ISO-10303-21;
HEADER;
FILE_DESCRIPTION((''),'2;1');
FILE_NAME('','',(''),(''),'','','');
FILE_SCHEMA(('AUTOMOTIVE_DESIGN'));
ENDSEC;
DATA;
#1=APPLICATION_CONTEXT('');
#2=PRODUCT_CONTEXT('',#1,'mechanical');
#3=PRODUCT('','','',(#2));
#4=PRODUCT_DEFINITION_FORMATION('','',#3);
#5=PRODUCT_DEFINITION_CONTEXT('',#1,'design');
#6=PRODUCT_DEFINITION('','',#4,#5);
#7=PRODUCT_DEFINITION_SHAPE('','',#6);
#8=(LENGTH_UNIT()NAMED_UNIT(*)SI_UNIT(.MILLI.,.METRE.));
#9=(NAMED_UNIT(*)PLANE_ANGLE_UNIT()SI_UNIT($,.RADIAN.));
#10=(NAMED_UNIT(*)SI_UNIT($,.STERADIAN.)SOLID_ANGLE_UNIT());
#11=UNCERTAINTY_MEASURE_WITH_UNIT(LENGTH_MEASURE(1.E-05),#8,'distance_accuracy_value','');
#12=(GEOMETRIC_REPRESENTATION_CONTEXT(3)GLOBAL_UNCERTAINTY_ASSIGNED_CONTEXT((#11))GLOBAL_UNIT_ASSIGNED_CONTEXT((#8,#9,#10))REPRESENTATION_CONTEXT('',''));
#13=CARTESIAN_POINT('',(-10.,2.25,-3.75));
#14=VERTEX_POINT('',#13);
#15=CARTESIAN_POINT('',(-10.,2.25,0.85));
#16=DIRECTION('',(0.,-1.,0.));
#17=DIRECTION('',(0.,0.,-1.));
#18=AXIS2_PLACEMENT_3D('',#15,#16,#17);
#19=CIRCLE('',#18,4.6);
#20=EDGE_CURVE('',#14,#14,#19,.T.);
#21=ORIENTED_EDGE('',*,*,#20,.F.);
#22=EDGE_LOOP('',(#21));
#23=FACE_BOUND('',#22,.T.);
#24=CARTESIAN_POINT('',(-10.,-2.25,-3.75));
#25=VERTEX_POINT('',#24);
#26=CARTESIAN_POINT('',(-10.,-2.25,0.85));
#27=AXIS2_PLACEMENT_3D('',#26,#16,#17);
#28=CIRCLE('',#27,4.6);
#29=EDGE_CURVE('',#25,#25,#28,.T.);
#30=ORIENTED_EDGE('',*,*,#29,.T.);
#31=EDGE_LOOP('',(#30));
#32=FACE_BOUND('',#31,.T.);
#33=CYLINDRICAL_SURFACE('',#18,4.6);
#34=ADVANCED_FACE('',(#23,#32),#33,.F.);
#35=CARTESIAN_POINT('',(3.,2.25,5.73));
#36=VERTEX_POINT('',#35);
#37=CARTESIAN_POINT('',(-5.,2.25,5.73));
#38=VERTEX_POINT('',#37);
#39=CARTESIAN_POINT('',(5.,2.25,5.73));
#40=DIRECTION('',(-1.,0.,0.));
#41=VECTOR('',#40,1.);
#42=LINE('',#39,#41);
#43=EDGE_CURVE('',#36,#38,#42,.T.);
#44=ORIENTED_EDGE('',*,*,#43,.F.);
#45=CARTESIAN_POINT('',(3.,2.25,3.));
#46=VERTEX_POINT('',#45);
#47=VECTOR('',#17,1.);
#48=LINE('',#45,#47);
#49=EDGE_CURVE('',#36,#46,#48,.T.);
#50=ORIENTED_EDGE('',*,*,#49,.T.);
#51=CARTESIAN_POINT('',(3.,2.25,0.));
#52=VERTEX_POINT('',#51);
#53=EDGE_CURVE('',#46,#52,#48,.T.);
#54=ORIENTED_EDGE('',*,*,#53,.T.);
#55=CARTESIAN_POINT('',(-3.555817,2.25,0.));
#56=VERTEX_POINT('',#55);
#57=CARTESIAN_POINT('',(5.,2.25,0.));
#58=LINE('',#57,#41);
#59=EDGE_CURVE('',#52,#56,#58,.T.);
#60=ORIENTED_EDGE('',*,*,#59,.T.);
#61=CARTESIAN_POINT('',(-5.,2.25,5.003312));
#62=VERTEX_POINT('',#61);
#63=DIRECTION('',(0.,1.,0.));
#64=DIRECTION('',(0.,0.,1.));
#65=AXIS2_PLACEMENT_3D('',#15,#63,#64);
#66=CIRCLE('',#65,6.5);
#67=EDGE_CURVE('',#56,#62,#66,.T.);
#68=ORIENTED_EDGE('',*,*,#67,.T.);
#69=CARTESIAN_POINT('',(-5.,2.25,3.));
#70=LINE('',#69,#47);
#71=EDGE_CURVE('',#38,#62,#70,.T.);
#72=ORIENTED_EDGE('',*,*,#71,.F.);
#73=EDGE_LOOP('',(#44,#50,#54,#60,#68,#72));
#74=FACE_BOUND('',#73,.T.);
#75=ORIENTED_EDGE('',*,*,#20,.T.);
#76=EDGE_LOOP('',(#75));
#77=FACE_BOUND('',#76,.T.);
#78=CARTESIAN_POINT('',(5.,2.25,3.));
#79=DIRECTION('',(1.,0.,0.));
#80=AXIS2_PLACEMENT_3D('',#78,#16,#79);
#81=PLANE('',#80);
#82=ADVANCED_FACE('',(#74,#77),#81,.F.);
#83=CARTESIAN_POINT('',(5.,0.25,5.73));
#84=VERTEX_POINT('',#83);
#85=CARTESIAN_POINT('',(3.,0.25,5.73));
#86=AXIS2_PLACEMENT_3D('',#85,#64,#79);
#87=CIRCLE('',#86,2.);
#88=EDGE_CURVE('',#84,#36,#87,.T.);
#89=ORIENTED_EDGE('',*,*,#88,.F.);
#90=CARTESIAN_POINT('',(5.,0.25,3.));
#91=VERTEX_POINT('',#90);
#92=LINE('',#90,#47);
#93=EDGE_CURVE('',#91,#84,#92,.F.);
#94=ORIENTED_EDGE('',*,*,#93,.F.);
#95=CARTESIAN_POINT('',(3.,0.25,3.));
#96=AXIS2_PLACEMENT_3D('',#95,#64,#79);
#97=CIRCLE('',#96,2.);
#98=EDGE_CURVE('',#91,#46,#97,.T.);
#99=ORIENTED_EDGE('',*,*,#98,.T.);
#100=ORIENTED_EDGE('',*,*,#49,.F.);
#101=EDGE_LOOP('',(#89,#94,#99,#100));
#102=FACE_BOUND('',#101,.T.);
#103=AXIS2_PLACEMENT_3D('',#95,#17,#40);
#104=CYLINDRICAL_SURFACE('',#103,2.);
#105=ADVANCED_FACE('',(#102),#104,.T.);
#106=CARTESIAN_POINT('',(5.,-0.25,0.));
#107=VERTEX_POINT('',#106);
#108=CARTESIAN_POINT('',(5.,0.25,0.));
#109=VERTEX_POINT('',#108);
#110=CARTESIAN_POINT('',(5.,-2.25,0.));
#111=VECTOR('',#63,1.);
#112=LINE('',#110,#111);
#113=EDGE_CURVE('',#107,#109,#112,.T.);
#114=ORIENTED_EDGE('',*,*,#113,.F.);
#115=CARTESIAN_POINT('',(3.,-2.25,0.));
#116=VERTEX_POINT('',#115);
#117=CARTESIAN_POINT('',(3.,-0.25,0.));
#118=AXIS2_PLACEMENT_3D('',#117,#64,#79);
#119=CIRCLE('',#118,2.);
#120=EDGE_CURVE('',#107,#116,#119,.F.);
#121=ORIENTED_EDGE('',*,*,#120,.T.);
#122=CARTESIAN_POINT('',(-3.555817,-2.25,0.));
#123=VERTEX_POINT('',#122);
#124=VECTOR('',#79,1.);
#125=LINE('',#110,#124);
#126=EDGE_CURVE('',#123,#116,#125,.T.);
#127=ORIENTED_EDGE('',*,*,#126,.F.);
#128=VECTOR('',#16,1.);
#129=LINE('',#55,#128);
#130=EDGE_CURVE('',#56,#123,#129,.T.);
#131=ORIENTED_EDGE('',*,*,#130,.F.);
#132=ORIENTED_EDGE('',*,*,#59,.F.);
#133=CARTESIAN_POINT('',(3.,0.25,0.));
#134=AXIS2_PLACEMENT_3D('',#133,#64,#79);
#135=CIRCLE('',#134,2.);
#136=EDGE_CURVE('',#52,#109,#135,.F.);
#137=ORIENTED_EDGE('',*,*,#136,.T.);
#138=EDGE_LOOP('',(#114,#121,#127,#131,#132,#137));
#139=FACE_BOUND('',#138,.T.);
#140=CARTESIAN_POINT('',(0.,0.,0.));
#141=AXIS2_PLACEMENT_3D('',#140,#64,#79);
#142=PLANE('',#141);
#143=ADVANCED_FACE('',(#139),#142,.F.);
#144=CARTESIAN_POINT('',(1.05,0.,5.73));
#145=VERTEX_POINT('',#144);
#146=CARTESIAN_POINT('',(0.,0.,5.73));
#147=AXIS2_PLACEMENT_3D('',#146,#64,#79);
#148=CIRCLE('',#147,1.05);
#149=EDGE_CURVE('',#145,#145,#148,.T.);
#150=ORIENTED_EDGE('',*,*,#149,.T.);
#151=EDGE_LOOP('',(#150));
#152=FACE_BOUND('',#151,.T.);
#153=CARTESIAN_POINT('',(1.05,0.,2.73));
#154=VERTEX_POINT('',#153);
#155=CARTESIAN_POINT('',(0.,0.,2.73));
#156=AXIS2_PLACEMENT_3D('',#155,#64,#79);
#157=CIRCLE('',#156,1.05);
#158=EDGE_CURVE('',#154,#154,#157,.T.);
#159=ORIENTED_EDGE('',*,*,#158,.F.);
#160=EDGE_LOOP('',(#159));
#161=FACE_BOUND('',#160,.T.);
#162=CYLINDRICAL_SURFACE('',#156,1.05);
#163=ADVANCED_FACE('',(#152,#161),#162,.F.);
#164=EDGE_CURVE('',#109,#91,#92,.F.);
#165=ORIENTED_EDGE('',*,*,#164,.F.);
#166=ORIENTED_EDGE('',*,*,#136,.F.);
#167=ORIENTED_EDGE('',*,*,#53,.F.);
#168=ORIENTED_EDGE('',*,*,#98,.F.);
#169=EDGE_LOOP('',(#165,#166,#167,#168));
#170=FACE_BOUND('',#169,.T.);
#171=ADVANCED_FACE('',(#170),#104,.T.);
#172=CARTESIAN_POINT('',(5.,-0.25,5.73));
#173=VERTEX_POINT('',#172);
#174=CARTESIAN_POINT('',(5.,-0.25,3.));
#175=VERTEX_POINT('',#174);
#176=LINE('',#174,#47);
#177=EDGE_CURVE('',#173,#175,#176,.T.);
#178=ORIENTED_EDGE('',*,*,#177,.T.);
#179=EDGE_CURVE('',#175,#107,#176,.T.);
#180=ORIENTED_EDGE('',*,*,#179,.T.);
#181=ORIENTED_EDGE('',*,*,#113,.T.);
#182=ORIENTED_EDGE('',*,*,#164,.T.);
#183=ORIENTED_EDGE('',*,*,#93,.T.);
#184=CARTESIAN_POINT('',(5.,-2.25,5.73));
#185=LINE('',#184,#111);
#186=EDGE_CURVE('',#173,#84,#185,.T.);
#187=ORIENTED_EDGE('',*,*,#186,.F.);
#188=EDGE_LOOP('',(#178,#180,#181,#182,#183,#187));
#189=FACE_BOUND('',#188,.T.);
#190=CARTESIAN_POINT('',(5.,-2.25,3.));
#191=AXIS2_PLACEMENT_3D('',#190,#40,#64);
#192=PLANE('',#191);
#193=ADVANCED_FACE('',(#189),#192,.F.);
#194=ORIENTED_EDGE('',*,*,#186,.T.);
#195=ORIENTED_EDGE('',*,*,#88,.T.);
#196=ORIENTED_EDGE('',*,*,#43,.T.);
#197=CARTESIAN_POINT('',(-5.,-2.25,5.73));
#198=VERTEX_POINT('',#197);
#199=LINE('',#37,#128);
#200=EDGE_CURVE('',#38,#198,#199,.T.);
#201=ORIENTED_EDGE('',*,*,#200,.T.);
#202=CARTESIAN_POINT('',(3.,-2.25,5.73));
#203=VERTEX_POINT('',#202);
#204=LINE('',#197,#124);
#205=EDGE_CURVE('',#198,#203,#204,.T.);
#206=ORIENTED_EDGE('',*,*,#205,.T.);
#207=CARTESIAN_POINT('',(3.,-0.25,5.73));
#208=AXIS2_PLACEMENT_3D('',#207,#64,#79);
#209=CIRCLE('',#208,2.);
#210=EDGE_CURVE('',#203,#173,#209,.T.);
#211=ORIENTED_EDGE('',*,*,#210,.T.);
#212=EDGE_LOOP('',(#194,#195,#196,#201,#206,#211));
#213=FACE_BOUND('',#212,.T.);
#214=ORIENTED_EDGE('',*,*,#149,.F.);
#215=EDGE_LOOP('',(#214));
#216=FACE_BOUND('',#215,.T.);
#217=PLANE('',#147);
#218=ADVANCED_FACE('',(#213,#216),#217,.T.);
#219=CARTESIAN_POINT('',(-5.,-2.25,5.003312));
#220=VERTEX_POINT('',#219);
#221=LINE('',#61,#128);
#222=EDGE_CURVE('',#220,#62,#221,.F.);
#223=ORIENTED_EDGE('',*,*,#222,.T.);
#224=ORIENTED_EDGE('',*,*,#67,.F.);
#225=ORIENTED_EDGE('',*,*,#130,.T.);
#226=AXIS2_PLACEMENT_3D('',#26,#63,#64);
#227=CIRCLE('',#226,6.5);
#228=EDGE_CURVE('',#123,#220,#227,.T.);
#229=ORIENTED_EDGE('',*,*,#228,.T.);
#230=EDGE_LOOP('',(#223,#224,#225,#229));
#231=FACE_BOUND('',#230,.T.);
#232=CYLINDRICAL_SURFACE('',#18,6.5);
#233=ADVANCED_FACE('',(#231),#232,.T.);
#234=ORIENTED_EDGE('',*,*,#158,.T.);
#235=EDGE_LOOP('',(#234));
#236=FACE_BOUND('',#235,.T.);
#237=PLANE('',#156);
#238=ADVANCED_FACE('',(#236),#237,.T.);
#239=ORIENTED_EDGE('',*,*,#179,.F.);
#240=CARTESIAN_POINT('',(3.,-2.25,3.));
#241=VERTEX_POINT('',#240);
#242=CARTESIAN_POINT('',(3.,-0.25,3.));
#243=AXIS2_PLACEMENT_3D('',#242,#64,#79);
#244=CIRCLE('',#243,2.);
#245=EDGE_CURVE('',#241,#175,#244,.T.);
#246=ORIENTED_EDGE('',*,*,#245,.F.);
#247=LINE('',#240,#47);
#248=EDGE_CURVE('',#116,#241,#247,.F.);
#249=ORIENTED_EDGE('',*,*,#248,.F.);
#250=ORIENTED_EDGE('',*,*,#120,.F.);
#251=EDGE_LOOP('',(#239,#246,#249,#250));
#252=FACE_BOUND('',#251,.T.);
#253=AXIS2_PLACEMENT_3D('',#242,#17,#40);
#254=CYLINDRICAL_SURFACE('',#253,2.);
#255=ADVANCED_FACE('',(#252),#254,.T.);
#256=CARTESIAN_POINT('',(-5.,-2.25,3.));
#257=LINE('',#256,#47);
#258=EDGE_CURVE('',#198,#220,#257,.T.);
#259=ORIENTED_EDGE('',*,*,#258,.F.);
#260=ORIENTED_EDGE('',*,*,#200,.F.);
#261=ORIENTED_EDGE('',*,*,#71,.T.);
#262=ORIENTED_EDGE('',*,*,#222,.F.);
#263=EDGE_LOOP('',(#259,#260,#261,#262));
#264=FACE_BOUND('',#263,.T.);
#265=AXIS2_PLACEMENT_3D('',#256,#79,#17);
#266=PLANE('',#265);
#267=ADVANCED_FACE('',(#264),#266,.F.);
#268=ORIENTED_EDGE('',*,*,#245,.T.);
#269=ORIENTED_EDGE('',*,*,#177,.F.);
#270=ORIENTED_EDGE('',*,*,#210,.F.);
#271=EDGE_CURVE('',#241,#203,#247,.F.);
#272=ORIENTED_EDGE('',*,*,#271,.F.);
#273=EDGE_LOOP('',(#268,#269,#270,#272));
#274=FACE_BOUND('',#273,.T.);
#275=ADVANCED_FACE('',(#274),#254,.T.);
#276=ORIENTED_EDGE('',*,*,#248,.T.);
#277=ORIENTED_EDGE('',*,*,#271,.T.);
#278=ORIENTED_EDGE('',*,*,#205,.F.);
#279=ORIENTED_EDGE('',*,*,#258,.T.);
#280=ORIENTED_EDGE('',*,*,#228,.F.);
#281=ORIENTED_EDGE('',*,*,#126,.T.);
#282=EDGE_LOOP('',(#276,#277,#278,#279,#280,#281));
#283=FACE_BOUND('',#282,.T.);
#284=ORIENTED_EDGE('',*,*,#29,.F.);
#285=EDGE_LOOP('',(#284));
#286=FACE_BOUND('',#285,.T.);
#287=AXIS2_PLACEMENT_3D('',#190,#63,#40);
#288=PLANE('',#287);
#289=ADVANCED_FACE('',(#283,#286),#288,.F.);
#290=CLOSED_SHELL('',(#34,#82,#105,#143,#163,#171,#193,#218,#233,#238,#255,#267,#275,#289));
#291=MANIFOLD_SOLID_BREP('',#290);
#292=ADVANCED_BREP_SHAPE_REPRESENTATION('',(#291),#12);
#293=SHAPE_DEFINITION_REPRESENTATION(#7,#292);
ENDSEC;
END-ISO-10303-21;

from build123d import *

# Parameters (mm, degrees)
SKETCH1_W           = 10
SKETCH1_H           = 4.5
BOSS_EXTRUDE1_DEPTH = 3
FILLET1_R           = 2
SKETCH3_R           = 6.5
BOSS_EXTRUDE2_DEPTH = 2.25
SKETCH4_R           = 4.6
CUT_EXTRUDE1_DEPTH  = 5.5
SKETCH8_W           = 10
SKETCH8_H           = 4.5
BOSS_EXTRUDE5_DEPTH = 2.73
SKETCH9_R           = 1.05
CUT_EXTRUDE2_DEPTH  = 3
FILLET3_R           = 2


with BuildPart() as part:
    # Sketch1 → Boss-Extrude1 (new body)
    with BuildSketch(Plane.XY):
        Rectangle(SKETCH1_W, SKETCH1_H)
    extrude(amount=BOSS_EXTRUDE1_DEPTH)

    # Fillet1
    fillet1_edges = [part.edges().sort_by_distance(p)[0] for p in [
        (5, 2.25, 1.5),
        (5, -2.25, 1.5),
    ]]
    fillet(fillet1_edges, radius=FILLET1_R)



with BuildPart() as body_2:
    # Sketch3 → Boss-Extrude2 (new body, symmetric)
    with BuildSketch(Plane(origin=(0, 0, 0), x_dir=(1, 0, 0), z_dir=(0, 1, 0))):
        with Locations((-10, -0.85)):
            Circle(SKETCH3_R)
    extrude(amount=BOSS_EXTRUDE2_DEPTH, both=True)

    # Sketch4 → Cut-Extrude1 (cut, through all)
    with BuildSketch(Plane.XZ.offset(2.25)):
        with Locations((-10, 0.85)):
            Circle(SKETCH4_R)
    extrude(amount=-CUT_EXTRUDE1_DEPTH, mode=Mode.SUBTRACT)


with BuildPart() as part_1:
    add(part.part)

    add(body_2.part)  # Boss-Extrude5 merges body 2
    # Sketch8 → Boss-Extrude5 (add)
    with BuildSketch(Plane.XY.offset(3)):
        Rectangle(SKETCH8_W, SKETCH8_H)
    extrude(amount=BOSS_EXTRUDE5_DEPTH)

    # Sketch9 → Cut-Extrude2 (cut)
    with BuildSketch(Plane.XY.offset(5.73)):
        Circle(SKETCH9_R)
    extrude(amount=-CUT_EXTRUDE2_DEPTH, mode=Mode.SUBTRACT)

    # Fillet3
    fillet3_edges = [part_1.edges().sort_by_distance(p)[0] for p in [
        (5, 2.25, 4.365),
        (5, -2.25, 4.365),
    ]]
    fillet(fillet3_edges, radius=FILLET3_R)


solid = part_1.part
